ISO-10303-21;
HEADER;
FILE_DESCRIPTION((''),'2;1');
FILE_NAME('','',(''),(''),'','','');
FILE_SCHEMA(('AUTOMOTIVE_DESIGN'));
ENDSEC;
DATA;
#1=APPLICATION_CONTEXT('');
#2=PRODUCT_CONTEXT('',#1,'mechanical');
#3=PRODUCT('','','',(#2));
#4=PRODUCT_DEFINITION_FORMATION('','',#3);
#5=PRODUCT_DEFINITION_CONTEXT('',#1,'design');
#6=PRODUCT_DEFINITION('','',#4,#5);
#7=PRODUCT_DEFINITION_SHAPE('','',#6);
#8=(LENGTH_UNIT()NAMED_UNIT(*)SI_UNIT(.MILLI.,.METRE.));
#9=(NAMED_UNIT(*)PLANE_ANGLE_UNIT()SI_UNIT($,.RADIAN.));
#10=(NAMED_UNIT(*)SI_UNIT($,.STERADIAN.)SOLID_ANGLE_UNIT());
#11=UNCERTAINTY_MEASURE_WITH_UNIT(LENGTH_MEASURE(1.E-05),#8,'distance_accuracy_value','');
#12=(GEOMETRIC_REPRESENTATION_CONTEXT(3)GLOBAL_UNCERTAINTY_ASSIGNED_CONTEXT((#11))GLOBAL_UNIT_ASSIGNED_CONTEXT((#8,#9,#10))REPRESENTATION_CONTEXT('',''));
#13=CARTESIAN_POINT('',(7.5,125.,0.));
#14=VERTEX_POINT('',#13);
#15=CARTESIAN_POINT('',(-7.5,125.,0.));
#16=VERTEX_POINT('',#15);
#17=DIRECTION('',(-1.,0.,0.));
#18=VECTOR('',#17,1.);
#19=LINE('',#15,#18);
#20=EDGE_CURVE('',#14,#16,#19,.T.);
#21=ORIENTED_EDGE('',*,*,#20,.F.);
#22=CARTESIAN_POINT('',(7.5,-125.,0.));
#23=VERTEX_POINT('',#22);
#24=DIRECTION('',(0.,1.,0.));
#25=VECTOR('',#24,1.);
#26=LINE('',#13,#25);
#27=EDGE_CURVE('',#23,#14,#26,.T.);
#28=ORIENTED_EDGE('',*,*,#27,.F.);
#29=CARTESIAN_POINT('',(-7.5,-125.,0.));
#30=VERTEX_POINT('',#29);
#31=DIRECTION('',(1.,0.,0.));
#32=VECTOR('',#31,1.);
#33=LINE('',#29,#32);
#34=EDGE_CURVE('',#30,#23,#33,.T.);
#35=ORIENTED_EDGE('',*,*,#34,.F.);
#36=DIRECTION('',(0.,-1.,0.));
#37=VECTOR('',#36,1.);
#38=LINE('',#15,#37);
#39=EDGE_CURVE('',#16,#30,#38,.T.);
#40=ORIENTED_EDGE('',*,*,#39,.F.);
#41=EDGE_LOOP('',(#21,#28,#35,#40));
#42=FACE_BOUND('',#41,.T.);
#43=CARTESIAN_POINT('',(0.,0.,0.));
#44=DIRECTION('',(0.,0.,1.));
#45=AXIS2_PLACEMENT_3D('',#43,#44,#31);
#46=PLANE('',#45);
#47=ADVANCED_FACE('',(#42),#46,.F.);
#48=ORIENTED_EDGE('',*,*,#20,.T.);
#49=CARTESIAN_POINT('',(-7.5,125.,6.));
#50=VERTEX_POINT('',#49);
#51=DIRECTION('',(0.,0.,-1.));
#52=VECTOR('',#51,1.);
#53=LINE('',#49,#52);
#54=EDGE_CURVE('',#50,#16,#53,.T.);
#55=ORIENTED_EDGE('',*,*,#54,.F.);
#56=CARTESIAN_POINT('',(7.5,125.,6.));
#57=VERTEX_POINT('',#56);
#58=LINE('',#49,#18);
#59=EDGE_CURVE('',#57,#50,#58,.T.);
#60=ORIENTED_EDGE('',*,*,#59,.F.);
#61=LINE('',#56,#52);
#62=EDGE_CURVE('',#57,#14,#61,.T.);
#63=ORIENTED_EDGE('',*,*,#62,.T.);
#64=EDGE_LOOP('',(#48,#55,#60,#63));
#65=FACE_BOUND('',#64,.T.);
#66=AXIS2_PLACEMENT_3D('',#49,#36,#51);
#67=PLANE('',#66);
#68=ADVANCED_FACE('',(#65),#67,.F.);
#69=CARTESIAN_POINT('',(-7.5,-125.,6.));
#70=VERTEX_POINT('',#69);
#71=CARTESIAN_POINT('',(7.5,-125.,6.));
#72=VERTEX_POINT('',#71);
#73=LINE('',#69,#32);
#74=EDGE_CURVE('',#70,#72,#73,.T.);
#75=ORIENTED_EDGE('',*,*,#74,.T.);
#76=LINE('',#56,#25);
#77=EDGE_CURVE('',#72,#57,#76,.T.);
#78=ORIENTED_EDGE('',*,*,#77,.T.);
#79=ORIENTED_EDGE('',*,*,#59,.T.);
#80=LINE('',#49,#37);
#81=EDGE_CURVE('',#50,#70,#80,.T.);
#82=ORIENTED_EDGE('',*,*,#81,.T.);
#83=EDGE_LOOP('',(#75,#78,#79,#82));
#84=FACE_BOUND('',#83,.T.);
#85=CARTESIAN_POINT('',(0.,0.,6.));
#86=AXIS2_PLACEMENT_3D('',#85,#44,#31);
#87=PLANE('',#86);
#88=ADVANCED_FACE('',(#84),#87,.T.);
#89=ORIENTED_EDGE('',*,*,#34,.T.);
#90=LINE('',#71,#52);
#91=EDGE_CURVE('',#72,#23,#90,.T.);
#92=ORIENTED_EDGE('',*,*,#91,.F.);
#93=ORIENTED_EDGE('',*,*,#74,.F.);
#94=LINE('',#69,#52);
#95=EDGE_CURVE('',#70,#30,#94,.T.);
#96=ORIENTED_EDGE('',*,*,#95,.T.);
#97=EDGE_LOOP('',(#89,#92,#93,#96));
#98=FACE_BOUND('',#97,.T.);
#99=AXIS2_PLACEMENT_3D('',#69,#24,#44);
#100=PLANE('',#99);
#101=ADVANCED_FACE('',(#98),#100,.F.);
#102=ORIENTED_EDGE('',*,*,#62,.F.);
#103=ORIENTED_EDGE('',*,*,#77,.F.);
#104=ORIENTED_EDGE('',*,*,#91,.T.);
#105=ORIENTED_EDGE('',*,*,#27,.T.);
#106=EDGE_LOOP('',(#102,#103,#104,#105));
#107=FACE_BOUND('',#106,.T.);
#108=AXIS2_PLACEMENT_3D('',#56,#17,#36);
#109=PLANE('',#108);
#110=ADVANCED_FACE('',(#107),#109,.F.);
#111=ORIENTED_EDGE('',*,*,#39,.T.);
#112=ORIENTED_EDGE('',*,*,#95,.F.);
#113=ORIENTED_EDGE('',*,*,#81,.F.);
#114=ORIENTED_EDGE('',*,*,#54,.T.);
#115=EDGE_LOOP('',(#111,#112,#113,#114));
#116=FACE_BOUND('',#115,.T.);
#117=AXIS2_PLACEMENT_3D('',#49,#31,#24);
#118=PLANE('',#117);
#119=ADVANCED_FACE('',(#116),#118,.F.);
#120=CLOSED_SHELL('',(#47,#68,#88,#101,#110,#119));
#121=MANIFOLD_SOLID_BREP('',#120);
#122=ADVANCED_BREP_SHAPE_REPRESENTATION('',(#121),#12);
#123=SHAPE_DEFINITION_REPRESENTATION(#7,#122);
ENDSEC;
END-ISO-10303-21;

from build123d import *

# Parameters (mm, degrees)
ESQUISSE1_W        = 15
ESQUISSE1_H        = 250
BOSS_EXTRU_1_DEPTH = 6


with BuildPart() as part:
    # Esquisse1 → Boss.-Extru.1 (new body)
    with BuildSketch(Plane.XY):
        Rectangle(ESQUISSE1_W, ESQUISSE1_H)
    extrude(amount=BOSS_EXTRU_1_DEPTH)


solid = part.part
